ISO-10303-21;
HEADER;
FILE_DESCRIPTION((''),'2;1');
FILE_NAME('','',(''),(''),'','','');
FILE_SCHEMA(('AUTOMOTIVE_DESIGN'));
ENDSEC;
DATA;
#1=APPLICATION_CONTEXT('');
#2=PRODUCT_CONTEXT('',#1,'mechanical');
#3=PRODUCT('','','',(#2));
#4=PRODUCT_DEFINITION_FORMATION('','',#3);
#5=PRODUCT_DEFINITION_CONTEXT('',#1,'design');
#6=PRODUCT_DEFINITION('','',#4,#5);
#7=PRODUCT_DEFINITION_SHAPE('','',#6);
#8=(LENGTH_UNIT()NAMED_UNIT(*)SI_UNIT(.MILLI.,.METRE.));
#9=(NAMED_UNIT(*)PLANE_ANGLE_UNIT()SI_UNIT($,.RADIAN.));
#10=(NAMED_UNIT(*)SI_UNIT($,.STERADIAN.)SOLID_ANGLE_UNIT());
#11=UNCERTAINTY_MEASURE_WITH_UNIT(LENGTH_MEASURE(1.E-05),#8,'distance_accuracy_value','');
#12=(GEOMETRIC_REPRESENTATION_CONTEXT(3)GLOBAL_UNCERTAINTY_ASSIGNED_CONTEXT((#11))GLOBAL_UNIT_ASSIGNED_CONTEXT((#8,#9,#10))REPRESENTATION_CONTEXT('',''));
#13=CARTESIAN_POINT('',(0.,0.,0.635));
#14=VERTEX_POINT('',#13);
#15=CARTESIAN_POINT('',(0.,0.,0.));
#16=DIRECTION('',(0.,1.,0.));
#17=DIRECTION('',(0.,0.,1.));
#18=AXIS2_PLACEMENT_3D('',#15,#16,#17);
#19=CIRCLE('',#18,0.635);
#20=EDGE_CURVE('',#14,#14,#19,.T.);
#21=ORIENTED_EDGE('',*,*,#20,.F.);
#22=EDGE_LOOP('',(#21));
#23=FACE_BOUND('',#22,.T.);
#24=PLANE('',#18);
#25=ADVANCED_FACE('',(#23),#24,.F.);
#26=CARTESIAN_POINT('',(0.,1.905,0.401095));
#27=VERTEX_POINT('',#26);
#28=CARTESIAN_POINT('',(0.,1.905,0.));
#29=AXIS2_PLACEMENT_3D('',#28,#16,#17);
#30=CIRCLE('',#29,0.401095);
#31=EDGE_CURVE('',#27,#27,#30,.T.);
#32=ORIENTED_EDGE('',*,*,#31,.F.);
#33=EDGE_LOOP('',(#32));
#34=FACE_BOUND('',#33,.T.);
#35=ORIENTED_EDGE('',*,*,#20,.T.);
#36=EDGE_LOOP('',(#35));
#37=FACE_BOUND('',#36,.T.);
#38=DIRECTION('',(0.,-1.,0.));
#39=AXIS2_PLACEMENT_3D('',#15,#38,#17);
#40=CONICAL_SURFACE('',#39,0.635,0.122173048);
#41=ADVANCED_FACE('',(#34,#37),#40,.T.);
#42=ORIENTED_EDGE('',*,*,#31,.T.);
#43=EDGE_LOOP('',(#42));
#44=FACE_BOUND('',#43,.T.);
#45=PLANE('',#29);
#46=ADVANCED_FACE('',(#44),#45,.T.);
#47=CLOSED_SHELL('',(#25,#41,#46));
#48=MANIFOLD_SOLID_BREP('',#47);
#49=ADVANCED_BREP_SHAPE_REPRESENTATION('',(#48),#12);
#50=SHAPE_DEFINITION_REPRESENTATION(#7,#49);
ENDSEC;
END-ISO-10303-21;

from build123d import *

# Parameters (mm, degrees)
SKETCH1_R           = 0.635
BOSS_EXTRUDE1_DEPTH = 1.905
BOSS_EXTRUDE1_TAPER = 7


with BuildPart() as part:
    # Sketch1 → Boss-Extrude1 (new body)
    with BuildSketch(Plane(origin=(0, 0, 0), x_dir=(1, 0, 0), z_dir=(0, 1, 0))):
        Circle(SKETCH1_R)
    extrude(amount=BOSS_EXTRUDE1_DEPTH, taper=BOSS_EXTRUDE1_TAPER)


solid = part.part
